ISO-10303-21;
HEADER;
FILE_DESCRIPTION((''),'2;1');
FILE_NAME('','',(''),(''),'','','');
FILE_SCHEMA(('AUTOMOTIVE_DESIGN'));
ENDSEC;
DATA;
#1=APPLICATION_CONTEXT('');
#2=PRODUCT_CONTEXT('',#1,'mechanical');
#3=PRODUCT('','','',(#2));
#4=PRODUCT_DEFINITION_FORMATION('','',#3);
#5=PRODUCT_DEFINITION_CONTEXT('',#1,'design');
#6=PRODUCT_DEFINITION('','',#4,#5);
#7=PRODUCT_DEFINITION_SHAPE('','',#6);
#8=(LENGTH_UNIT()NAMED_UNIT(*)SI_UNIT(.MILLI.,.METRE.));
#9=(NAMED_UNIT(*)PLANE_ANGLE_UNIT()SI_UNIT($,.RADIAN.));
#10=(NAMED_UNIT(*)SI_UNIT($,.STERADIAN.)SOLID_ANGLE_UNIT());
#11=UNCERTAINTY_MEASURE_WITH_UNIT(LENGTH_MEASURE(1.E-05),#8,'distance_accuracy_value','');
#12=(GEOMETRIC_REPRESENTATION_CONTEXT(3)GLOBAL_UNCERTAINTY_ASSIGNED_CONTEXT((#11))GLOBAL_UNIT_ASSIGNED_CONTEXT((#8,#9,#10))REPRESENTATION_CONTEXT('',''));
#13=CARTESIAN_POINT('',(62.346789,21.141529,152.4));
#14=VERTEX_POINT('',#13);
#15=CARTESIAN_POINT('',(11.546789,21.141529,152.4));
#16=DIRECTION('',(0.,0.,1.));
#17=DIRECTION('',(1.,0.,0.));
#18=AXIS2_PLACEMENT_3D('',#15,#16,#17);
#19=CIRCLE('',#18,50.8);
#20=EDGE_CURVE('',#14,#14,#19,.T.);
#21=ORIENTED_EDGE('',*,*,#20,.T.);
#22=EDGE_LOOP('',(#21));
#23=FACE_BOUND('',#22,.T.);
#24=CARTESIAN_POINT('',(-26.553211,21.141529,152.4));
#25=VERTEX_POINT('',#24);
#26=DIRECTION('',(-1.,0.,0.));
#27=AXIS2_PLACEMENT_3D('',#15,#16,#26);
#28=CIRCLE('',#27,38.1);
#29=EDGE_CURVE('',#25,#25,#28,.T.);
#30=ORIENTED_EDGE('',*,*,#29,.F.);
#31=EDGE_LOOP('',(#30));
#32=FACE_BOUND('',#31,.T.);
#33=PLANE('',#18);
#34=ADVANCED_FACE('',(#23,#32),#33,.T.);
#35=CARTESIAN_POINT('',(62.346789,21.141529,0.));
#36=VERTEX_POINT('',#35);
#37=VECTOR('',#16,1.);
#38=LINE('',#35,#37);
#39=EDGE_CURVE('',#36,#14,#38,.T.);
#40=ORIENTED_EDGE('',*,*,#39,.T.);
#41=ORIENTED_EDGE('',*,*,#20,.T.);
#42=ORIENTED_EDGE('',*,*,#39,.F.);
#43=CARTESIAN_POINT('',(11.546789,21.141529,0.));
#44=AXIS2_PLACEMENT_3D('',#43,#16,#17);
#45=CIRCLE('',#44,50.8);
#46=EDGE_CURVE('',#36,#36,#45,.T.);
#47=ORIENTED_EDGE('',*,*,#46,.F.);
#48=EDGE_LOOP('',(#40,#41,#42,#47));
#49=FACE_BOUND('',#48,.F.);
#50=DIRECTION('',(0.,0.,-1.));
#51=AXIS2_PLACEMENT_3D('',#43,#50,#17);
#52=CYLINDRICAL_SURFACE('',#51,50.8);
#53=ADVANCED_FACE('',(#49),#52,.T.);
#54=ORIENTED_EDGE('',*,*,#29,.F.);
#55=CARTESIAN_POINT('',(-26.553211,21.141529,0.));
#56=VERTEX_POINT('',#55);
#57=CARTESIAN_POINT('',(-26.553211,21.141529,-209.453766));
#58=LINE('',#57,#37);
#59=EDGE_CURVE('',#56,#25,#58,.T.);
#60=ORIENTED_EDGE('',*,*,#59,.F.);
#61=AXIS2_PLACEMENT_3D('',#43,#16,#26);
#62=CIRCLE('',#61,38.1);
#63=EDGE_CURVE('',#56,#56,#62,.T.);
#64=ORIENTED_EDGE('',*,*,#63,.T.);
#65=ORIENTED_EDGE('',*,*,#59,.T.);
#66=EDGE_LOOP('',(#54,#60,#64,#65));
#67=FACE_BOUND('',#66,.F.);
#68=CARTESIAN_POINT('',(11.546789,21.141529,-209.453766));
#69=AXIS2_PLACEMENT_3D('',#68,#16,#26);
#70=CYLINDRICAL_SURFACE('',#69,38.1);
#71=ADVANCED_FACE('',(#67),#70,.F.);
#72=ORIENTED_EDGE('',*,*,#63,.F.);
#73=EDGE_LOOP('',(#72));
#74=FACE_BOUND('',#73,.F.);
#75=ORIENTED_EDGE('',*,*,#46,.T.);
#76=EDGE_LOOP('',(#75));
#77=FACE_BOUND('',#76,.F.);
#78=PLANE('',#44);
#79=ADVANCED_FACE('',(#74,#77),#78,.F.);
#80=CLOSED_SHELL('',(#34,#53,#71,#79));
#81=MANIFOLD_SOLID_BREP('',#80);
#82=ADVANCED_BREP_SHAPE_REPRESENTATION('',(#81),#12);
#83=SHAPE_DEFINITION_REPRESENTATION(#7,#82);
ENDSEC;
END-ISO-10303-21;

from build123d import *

# Parameters (mm, degrees)
F0_R     = 50.8
F1_DEPTH = 152.4
F3_D     = 76.2


with BuildPart() as f1:
    # F0 (on Top) → F1 (new body)
    with BuildSketch(Plane.XY):
        with Locations((11.546789, 21.141529)):
            Circle(F0_R)
    extrude(amount=F1_DEPTH)

    # F3 (through all)
    with Locations(Plane(origin=(0, 0, 0), x_dir=(1, 0, 0), z_dir=(0, 0, -1))):
        with Locations((11.546789, -21.141529)):
            Hole(F3_D / 2)


solid = f1.part
